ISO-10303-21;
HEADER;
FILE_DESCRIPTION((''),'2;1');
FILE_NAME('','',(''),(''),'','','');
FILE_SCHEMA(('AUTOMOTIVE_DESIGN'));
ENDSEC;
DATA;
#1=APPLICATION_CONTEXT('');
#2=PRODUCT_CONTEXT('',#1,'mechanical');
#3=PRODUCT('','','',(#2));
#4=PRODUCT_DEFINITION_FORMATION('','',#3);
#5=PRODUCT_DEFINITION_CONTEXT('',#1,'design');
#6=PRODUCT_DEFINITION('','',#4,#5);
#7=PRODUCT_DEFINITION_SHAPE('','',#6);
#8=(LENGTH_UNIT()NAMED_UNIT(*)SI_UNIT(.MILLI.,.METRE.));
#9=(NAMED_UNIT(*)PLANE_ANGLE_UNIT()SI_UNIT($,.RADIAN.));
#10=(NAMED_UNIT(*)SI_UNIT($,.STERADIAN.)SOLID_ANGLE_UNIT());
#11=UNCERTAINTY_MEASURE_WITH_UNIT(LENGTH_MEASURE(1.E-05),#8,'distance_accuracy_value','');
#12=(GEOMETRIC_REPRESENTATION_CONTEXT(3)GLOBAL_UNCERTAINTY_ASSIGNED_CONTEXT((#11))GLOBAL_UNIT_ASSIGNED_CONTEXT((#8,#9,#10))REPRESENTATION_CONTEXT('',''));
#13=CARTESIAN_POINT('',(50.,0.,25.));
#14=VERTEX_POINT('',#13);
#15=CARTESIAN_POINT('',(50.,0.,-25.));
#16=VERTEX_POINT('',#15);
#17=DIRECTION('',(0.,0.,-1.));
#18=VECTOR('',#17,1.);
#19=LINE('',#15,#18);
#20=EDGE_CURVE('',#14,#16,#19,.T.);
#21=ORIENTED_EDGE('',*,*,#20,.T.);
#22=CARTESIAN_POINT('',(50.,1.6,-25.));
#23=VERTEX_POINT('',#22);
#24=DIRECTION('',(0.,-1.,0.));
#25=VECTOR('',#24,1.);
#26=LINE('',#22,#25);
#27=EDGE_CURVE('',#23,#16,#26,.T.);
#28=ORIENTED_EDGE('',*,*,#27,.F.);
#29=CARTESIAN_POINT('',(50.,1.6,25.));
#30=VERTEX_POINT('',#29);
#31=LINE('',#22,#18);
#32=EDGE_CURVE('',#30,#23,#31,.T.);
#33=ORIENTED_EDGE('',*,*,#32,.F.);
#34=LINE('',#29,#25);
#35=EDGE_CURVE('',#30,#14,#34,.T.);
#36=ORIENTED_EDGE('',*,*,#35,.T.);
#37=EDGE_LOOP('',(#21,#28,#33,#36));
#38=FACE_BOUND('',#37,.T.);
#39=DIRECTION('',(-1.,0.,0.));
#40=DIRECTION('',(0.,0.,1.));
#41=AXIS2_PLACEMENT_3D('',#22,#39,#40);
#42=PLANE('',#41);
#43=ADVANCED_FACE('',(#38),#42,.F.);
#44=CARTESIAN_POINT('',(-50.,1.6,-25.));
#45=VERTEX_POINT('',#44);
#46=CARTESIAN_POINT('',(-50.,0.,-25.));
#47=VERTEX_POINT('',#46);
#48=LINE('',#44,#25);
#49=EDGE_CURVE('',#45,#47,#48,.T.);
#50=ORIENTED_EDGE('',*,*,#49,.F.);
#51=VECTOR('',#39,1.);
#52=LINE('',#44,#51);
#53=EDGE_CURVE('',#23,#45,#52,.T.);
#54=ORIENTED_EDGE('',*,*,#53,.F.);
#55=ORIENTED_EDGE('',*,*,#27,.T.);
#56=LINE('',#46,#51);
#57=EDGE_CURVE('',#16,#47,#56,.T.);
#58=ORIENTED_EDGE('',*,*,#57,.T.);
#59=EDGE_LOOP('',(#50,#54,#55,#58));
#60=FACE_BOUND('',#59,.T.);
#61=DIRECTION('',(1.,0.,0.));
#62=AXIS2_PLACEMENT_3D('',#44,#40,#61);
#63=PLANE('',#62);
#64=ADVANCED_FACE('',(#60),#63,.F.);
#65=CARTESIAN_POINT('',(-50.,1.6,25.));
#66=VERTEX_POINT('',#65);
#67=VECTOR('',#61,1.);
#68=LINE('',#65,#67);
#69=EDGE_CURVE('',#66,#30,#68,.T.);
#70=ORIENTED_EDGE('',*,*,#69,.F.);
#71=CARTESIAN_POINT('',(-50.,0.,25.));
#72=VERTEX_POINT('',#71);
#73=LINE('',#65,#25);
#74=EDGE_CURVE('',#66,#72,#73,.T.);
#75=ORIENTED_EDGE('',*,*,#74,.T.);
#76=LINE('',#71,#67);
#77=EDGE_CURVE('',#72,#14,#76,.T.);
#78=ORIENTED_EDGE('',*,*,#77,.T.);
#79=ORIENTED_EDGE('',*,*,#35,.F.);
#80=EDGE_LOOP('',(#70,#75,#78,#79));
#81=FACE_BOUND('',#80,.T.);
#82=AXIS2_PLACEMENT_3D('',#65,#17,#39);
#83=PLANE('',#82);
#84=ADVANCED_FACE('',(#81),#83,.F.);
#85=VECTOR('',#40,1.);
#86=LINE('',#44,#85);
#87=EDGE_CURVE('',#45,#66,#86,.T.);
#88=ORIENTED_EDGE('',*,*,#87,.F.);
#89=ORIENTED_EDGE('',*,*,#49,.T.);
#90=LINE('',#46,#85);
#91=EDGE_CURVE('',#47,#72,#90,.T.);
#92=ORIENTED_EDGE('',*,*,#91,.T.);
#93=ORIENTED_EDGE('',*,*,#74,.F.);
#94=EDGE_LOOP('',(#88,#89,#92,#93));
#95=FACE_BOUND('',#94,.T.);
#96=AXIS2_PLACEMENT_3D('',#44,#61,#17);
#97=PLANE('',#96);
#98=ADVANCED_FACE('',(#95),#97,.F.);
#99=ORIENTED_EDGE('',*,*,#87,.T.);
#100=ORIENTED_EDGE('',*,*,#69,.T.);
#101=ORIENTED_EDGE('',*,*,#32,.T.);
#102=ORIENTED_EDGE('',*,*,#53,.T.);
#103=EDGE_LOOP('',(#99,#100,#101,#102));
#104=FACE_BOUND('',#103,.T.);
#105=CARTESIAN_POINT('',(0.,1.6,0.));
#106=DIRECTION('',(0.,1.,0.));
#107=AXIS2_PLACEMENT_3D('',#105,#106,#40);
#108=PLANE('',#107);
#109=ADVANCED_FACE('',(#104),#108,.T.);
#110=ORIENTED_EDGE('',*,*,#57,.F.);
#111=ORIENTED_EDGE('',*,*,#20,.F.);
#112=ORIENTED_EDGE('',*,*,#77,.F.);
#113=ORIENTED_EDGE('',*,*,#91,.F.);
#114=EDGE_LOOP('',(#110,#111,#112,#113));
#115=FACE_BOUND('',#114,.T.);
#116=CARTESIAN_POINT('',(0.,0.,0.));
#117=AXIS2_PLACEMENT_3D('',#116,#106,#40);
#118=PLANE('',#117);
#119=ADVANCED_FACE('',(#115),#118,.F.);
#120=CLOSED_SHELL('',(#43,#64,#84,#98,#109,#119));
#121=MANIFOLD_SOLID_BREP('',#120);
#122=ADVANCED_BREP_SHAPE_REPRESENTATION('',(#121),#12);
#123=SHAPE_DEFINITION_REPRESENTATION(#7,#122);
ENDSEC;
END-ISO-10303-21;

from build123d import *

# Parameters (mm, degrees)
SKETCH_1_W      = 100
SKETCH_1_H      = 50
EXTRUDE_1_DEPTH = 1.6


with BuildPart() as part:
    # Эскиз1 → Бобышка-Вытянуть1 (new body)
    with BuildSketch(Plane(origin=(0, 0, 0), x_dir=(1, 0, 0), z_dir=(0, 1, 0))):
        Rectangle(SKETCH_1_W, SKETCH_1_H)
    extrude(amount=EXTRUDE_1_DEPTH)


solid = part.part
